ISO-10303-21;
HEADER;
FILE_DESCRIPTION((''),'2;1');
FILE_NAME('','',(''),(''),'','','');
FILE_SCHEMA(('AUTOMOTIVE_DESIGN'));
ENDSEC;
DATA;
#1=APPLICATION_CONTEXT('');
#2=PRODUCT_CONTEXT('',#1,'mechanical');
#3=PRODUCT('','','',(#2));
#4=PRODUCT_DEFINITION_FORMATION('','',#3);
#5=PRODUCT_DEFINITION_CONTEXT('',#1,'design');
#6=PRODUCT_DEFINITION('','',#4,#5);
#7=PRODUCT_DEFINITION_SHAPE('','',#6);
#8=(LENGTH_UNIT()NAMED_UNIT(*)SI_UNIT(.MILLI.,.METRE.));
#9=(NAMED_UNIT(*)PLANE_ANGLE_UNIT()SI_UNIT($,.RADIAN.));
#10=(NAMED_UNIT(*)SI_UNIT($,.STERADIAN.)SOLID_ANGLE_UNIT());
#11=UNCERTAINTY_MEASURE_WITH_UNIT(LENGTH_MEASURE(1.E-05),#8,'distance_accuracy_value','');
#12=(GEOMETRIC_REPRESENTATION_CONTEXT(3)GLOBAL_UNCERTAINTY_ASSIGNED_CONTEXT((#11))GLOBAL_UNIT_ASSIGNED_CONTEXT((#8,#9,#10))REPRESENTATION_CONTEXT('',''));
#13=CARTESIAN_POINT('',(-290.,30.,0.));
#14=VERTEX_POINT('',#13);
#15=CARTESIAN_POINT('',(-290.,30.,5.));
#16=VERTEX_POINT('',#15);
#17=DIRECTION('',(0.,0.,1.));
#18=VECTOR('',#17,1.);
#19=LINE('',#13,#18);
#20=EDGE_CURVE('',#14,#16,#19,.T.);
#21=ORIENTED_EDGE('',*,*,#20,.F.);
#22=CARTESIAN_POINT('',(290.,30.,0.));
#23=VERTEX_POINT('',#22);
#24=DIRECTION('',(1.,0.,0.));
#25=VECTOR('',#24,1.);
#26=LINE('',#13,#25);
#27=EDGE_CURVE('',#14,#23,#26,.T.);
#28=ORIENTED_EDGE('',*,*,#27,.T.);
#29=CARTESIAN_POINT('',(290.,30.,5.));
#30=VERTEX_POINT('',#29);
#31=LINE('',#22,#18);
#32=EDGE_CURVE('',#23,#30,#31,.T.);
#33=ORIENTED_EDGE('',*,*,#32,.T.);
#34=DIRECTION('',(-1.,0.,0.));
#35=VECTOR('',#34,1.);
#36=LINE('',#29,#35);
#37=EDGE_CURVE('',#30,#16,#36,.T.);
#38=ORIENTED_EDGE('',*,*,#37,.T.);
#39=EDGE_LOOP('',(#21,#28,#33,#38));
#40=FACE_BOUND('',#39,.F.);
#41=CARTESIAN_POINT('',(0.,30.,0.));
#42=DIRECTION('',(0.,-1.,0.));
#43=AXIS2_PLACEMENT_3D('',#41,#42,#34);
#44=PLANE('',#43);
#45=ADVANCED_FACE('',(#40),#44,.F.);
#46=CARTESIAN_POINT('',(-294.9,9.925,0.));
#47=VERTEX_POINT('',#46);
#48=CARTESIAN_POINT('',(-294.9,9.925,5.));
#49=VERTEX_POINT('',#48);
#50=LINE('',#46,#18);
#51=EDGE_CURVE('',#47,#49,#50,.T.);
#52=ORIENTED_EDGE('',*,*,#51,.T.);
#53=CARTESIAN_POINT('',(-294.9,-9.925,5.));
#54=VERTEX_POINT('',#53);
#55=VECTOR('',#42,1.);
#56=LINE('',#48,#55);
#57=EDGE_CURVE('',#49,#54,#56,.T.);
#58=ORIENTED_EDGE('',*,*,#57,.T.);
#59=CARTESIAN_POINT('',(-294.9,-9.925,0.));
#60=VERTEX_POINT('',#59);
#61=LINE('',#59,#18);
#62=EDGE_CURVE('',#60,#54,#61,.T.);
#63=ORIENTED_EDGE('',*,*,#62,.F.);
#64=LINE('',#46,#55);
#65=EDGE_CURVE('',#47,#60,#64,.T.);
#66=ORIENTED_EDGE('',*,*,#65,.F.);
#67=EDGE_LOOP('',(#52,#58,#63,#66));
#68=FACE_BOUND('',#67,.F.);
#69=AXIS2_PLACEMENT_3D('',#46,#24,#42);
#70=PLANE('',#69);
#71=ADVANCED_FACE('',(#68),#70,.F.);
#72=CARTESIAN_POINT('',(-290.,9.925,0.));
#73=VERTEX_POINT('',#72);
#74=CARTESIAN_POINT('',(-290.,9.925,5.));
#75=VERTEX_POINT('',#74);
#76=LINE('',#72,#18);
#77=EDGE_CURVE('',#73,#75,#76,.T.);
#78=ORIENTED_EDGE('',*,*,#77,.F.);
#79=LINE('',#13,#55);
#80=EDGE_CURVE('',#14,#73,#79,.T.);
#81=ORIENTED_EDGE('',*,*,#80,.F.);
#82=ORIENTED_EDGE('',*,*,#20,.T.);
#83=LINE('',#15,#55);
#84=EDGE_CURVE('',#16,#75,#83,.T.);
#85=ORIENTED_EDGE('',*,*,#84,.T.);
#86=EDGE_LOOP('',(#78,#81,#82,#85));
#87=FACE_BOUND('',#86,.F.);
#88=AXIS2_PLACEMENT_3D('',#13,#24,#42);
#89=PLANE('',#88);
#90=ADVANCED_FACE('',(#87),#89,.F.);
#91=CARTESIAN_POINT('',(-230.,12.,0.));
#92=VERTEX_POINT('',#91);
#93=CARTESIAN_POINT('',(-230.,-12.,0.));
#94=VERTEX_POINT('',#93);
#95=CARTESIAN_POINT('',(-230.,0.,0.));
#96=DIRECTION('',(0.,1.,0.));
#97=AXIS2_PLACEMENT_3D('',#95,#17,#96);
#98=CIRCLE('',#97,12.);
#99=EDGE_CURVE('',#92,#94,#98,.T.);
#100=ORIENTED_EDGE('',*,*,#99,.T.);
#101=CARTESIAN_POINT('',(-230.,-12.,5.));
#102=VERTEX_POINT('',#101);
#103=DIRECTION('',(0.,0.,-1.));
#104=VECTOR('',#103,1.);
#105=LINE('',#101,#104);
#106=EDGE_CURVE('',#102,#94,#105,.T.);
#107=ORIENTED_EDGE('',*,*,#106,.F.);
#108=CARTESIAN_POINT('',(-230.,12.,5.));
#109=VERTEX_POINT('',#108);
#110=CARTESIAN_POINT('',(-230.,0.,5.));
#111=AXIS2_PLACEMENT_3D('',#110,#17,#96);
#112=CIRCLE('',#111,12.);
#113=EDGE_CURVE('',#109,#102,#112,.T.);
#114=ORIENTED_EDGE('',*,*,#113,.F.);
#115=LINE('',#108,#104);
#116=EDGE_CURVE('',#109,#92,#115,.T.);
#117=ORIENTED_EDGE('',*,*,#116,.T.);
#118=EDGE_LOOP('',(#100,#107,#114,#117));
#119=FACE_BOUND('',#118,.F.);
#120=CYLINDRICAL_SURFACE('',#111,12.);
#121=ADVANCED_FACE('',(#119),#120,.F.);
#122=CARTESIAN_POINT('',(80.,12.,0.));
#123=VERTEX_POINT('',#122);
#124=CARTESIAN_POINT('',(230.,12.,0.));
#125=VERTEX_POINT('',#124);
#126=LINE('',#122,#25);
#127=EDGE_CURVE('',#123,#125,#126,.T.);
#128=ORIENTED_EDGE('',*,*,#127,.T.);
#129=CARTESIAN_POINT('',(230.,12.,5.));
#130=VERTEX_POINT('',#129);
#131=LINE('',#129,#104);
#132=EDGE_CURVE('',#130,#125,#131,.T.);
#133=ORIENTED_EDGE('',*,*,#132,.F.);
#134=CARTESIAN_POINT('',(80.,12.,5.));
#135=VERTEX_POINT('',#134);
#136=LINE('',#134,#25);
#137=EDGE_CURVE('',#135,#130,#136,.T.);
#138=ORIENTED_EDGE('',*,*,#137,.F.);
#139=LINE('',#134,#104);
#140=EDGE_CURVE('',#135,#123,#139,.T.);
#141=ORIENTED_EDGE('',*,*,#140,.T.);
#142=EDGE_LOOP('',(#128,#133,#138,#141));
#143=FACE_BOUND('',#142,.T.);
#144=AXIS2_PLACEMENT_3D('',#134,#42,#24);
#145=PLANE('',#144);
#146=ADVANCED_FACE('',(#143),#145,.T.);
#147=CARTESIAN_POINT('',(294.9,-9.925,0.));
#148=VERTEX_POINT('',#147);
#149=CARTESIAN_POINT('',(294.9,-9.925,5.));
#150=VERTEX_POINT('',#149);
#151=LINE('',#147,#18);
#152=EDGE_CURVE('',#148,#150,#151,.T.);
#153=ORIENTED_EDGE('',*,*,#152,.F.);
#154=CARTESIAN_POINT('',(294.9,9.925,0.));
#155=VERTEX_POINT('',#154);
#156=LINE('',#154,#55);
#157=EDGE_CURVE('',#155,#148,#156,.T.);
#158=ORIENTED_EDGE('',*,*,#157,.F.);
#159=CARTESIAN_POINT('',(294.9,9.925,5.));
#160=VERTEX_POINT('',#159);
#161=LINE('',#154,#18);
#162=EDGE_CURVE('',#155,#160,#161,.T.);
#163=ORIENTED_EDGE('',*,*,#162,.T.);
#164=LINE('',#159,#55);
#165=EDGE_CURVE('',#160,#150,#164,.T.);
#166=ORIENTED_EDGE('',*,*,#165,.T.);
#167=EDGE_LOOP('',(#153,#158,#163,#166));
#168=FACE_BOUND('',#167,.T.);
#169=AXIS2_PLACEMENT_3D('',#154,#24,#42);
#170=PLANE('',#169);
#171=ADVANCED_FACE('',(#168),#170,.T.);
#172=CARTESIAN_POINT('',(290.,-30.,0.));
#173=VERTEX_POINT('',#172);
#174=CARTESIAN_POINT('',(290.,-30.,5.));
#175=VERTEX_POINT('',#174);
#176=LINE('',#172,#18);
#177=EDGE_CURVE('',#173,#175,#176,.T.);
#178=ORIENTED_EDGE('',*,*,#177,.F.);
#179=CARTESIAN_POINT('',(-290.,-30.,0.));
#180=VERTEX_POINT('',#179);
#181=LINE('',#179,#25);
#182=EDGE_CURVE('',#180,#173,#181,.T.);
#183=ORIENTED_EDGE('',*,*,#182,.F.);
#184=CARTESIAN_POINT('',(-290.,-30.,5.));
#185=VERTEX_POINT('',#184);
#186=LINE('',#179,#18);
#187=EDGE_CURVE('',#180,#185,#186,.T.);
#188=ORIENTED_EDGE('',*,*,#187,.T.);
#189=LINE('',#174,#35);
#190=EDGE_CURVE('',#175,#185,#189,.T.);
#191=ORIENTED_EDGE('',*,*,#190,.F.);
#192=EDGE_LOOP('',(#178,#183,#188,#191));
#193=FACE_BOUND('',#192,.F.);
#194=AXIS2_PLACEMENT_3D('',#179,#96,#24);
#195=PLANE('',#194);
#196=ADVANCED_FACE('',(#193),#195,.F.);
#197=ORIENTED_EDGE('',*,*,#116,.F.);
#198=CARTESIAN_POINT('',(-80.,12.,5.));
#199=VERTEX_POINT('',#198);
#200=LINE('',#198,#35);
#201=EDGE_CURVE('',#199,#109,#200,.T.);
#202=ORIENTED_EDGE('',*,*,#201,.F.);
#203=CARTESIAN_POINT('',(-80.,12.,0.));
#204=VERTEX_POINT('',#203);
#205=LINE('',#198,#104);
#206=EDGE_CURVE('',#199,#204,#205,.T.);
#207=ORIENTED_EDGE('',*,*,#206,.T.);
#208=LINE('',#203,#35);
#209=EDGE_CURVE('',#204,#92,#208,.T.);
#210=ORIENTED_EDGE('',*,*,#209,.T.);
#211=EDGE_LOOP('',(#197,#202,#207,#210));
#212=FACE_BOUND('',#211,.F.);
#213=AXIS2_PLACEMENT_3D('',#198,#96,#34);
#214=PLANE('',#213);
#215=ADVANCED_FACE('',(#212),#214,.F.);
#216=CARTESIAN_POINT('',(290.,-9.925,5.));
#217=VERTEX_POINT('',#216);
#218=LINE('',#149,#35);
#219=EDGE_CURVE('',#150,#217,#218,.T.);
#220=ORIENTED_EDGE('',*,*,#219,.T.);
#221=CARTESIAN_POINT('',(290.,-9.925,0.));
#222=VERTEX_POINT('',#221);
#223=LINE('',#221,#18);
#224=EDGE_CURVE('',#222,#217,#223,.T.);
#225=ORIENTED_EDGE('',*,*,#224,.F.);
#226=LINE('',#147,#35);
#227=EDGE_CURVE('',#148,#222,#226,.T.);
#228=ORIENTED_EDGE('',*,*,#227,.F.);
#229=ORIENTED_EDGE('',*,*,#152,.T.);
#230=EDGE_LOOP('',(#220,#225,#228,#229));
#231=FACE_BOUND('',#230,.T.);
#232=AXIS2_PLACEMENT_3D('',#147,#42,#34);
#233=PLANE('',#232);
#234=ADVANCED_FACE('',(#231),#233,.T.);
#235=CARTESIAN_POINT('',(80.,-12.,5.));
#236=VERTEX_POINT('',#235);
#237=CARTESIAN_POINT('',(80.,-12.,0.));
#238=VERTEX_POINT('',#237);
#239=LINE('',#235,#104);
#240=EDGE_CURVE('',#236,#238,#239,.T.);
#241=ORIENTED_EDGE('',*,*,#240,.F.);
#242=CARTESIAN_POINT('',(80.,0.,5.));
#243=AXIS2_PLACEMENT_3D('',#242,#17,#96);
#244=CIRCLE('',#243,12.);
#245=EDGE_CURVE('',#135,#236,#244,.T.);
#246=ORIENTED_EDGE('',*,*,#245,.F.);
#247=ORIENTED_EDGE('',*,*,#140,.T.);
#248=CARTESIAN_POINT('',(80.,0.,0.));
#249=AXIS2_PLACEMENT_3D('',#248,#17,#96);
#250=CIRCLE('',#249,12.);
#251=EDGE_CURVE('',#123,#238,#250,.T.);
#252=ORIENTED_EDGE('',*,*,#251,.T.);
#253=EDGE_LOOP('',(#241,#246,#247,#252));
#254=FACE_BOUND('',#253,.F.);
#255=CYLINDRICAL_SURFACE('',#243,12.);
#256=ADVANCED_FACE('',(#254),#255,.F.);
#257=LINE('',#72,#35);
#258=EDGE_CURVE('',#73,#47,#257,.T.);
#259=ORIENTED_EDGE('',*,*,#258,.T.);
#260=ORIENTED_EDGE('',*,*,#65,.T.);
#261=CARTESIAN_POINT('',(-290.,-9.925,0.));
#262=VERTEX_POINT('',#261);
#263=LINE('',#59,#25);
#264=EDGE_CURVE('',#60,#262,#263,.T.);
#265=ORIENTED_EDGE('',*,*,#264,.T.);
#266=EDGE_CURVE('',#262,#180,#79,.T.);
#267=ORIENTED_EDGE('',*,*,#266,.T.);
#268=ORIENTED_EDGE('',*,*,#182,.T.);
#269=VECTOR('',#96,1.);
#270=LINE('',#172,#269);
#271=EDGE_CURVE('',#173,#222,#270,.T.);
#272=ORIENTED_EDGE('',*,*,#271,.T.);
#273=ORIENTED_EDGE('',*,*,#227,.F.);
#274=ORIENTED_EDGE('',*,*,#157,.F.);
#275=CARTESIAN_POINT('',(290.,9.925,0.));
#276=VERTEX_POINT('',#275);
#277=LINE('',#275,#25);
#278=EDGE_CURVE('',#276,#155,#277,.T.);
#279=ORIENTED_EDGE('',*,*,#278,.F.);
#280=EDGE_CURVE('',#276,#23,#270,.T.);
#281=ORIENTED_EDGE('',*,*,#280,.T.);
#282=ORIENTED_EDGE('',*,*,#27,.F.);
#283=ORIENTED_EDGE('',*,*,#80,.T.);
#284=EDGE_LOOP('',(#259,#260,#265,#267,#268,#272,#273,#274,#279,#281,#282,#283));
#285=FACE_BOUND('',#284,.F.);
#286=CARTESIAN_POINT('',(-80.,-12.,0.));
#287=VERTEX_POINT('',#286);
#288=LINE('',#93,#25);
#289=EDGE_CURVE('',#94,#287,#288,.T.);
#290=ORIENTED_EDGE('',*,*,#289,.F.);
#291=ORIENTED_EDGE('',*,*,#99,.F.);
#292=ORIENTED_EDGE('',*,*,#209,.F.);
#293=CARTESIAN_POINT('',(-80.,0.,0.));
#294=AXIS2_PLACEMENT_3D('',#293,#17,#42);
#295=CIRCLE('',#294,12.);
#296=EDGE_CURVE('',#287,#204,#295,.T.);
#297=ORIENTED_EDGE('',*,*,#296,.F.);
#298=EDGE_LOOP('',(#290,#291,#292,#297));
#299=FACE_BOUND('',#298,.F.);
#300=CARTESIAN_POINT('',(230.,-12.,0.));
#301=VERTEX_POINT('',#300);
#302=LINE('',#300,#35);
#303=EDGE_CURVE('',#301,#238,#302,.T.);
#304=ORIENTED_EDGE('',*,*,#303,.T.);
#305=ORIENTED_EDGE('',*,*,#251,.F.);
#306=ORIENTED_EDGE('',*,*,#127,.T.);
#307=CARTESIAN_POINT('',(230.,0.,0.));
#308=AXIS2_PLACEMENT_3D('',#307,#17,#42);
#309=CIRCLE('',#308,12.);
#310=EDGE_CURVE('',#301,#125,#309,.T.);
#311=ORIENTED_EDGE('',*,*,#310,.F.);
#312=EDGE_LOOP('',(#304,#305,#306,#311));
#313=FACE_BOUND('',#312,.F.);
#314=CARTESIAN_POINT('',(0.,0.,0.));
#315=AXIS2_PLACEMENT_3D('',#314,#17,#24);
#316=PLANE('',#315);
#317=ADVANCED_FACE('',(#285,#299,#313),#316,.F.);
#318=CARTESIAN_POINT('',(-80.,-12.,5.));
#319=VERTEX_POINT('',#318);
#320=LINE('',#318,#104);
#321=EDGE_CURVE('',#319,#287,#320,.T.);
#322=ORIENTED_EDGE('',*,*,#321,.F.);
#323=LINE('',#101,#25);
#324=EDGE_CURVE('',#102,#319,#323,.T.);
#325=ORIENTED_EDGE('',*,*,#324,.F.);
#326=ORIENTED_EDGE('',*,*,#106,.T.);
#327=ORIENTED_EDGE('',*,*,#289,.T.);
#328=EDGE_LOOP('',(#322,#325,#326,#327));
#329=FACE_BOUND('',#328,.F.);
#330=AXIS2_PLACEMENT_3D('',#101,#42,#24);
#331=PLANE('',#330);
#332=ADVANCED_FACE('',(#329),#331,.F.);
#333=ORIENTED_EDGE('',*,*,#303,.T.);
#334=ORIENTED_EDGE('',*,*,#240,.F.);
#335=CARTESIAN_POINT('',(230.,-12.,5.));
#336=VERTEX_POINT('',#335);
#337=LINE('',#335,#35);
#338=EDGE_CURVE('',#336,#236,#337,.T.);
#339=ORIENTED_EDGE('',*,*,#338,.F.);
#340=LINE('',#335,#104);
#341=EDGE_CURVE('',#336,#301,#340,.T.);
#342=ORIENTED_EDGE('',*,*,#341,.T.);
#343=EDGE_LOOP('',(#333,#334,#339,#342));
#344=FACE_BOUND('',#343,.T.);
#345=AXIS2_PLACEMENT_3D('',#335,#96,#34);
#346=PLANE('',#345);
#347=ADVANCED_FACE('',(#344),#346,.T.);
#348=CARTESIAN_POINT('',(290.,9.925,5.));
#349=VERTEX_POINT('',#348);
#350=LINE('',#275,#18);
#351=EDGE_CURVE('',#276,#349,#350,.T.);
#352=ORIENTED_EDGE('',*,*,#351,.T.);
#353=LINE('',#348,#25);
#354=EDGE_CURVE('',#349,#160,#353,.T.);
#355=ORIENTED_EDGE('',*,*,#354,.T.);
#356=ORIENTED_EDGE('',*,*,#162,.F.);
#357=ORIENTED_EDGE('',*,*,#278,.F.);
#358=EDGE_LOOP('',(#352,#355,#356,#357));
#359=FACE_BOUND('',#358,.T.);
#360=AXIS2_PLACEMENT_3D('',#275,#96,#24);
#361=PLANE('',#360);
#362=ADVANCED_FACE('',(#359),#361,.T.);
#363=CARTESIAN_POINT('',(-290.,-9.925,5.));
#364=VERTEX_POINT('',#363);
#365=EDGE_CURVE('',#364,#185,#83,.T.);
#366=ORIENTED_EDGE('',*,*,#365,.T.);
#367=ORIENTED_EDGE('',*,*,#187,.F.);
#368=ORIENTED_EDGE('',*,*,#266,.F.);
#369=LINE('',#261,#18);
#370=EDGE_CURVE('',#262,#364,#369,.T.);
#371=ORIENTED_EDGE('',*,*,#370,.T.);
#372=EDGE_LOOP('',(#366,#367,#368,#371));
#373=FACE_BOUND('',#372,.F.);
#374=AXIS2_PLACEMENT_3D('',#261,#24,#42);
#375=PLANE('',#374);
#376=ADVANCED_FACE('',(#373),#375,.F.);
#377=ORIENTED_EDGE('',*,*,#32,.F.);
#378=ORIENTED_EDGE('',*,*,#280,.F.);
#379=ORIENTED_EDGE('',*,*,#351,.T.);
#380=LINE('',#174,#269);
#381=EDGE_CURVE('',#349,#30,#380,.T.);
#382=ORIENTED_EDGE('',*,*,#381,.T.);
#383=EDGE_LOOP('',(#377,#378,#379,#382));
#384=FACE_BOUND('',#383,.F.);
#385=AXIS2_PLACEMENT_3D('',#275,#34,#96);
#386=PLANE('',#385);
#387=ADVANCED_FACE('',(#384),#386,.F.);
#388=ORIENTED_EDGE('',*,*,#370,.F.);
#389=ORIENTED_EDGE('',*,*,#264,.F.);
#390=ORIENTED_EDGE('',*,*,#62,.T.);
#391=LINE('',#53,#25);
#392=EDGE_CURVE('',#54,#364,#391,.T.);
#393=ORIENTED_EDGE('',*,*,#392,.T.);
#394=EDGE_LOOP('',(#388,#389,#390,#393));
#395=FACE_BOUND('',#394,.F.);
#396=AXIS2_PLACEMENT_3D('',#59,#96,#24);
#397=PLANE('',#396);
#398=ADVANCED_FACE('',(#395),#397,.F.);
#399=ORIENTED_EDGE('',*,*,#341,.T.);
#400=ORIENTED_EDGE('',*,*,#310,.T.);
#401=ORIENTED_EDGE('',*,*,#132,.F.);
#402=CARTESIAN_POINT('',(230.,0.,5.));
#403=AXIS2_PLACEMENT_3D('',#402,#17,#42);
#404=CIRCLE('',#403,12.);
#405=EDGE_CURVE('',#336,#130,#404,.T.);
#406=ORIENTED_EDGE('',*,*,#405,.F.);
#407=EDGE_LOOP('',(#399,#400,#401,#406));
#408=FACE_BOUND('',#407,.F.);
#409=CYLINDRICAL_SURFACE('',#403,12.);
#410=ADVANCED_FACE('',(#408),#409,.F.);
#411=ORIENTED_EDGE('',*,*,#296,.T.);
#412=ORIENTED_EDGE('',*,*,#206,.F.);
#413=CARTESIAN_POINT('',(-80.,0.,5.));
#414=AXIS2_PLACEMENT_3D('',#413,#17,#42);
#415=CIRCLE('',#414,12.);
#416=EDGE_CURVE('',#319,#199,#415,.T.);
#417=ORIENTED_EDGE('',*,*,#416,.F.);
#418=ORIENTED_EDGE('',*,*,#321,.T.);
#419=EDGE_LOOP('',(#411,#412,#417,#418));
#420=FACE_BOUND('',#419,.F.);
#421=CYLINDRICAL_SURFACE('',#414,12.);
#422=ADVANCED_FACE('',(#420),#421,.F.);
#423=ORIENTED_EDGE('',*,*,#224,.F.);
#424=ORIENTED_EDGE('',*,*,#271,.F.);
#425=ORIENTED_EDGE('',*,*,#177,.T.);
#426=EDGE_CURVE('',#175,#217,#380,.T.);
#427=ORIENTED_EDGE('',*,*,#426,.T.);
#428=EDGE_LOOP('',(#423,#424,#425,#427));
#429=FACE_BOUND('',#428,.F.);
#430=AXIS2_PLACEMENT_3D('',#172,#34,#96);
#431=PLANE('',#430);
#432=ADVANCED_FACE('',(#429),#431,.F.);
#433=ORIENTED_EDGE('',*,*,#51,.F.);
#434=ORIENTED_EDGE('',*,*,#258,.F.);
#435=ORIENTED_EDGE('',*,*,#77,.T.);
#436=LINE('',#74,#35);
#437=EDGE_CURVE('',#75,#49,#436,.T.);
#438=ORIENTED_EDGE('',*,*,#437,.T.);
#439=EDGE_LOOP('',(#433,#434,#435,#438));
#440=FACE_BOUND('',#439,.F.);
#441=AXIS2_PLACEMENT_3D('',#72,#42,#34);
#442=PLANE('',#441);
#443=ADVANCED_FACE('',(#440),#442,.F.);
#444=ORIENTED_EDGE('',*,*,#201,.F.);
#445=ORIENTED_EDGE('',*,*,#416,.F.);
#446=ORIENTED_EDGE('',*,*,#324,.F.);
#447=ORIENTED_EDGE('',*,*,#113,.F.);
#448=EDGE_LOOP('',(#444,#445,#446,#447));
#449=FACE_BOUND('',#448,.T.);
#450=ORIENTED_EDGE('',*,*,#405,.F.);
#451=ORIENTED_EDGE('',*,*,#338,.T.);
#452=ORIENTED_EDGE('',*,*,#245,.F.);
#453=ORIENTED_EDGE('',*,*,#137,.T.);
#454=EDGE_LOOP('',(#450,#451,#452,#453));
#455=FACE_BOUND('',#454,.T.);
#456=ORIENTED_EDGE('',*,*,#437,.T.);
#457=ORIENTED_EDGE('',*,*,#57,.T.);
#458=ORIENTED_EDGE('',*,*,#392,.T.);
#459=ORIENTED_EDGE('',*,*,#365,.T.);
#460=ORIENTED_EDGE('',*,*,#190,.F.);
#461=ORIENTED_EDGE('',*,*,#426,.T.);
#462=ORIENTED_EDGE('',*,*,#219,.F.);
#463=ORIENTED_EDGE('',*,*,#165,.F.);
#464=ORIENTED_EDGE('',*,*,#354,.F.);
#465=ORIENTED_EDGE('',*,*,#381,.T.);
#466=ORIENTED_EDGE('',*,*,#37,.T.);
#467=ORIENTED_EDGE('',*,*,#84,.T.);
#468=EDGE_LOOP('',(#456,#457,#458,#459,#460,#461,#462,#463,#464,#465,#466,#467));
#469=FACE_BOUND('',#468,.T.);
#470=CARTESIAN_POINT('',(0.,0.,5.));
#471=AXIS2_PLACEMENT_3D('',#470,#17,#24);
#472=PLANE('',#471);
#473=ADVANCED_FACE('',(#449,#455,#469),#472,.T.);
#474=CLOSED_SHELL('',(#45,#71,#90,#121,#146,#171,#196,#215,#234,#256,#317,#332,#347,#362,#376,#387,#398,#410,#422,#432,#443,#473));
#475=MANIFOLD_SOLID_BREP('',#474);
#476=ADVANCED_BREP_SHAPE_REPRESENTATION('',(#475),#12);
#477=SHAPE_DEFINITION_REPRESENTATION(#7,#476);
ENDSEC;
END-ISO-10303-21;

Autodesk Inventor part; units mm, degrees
ref_plane "YZ Plane" through (0, 0, 0) normal (1, 0, 0) x (0, 1, 0)
ref_plane "XZ Plane" through (0, 0, 0) normal (0, 1, 0) x (-1, 0, 0)
ref_plane "XY Plane" through (0, 0, 0) normal (0, 0, 1) x (1, 0, 0)
sketch "Sketch1" plane through (0, 0, 0) normal (0, 0, 1) x (1, 0, 0)
  line L0 (-290, -30) -> (290, -30)
  line L1 (290, -30) -> (290, 30)
  line L2 (290, 30) -> (-290, 30)
  line L3 (-290, 30) -> (-290, -30)
  line L4 (-290, -30) -> (290, 30) construction
  line L5 (290, -30) -> (-290, 30) construction
  line L6 (-290, 9.925) -> (-294.9, 9.925)
  line L7 (-294.9, 9.925) -> (-294.9, -9.925)
  line L8 (-294.9, -9.925) -> (-290, -9.925)
  line L9 (-290, -9.925) -> (-290, 9.925)
  line L10 (0, 30) -> (0, -30)
  line L11 (290, 9.925) -> (294.9, 9.925)
  line L12 (294.9, 9.925) -> (294.9, -9.925)
  line L13 (294.9, -9.925) -> (290, -9.925)
  line L14 (290, -9.925) -> (290, 9.925)
  point P0 (0, 0)
  point P1 (-290, 0)
  point P2 (-290, 0)
  point P3 (290, 0)
  point P4 (290, 0)
  dimension "d0" = 580
  dimension "d1" = 60
  dimension "d2" = 4.9
  dimension "d3" = 19.85
extrude "Plate1" add sketch "Sketch1" along normal blind 5
sketch "Sketch2" plane through (0, 0, 5) normal (0, 0, 1) x (1, 0, 0)
  line L0 (-230, 0) -> (-80, 0) construction
  line L1 (-230, -12) -> (-80, -12)
  line L2 (-80, 12) -> (-230, 12)
  arc A0 (-230, 12) -> (-230, -12) centre (-230, 0) ccw
  arc A1 (-80, -12) -> (-80, 12) centre (-80, 0) ccw
  line L3 (0, 30) -> (0, -30)
  line L4 (290, -30) -> (-290, -30) projected
  line L5 (-290, 30) -> (290, 30) projected
  line L6 (230, 0) -> (80, 0) construction
  line L7 (230, -12) -> (80, -12)
  line L8 (80, 12) -> (230, 12)
  arc A2 (230, -12) -> (230, 12) centre (230, 0) ccw
  arc A3 (80, 12) -> (80, -12) centre (80, 0) ccw
  point P0 (0, 0)
  point P1 (-155, 0)
  point P2 (155, 0)
  dimension "d5" = 12
  dimension "d6" = 150
  dimension "d7" = 80
extrude "Cut1" cut sketch "Sketch2" against normal blind 5
equation "\"d8\" = Thickness"
equation "\"d4\" = Thickness"
equation "\"BendRadius\" = Thickness"
equation "\"BendReliefWidth\" = Thickness"
equation "\"BendReliefDepth\" = 0.5 * Thickness"
equation "\"TransitionRadius\" = BendRadius"
equation "\"JacobiRadiusSize\" = BendRadius"
equation "\"GapSize\" = Thickness"
equation "\"Thickness\" = 5"
properties part number "Table-Base Supporter 1st"
